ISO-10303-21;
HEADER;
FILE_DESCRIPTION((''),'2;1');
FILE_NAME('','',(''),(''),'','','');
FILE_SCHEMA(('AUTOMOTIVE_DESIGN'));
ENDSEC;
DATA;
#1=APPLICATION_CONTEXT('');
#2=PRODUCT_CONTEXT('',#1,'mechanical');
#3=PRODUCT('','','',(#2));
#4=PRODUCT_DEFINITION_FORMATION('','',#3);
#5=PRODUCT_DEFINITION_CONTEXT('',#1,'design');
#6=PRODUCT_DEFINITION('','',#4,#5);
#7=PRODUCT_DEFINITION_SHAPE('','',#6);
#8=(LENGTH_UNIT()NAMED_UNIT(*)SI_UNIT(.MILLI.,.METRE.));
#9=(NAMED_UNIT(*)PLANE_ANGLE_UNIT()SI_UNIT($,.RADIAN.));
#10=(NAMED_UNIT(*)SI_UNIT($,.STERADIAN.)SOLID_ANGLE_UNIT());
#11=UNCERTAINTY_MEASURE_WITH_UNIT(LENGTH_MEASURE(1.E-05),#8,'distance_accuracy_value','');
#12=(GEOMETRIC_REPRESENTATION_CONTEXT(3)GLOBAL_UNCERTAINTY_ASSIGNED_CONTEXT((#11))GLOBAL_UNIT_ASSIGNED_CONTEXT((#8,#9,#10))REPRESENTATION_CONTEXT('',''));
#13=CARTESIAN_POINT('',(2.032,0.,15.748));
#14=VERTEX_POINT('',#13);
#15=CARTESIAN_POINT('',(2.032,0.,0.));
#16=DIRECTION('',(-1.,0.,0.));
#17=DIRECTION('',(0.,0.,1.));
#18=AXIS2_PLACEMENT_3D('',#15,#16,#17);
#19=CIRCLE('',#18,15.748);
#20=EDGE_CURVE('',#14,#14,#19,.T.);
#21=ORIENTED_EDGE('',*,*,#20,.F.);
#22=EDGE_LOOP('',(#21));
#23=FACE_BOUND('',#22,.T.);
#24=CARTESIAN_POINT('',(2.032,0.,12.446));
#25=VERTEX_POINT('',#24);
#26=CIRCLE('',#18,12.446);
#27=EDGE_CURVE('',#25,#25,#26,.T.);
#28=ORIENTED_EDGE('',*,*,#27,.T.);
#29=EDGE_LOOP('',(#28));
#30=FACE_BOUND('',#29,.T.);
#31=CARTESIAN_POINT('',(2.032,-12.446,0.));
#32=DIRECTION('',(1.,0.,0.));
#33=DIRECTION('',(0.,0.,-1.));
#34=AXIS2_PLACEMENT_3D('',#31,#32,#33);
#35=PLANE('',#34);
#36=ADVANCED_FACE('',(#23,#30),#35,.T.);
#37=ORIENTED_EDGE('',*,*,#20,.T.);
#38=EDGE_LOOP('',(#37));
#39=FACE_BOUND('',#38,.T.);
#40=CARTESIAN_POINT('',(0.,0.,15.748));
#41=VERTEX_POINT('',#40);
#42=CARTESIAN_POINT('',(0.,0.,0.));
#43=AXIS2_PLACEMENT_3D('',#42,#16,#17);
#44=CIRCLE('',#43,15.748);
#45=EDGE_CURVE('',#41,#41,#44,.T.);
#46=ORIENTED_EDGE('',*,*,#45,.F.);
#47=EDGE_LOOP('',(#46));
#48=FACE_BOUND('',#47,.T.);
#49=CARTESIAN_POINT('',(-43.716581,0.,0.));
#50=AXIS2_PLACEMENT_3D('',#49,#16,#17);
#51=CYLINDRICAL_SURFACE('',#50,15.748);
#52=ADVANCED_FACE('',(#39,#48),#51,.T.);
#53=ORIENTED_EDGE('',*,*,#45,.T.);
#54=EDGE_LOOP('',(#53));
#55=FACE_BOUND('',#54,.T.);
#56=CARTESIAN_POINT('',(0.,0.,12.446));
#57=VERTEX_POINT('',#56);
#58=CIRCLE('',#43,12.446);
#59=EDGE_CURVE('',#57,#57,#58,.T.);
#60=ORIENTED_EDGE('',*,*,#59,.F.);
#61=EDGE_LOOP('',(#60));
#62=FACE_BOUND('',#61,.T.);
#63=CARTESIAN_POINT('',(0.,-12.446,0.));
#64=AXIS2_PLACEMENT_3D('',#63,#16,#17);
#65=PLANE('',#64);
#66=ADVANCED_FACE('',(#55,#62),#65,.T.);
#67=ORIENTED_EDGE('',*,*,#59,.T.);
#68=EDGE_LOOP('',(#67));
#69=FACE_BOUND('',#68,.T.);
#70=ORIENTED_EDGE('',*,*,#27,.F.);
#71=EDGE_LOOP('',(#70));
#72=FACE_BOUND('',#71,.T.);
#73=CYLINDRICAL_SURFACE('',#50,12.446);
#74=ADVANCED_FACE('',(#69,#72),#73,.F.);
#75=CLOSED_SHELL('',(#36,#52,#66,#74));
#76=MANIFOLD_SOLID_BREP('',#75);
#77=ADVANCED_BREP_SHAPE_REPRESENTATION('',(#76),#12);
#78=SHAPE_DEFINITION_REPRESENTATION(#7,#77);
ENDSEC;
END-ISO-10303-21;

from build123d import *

# Parameters (mm, degrees)
SKETCH1_W = 2.032
SKETCH1_H = 3.302


with BuildPart() as part:
    # Sketch1 → Revolve1 (revolve)
    with BuildSketch(Plane.XY, mode=Mode.PRIVATE) as revolve1_sk:
        with Locations((1.016, -14.097)):
            Rectangle(SKETCH1_W, SKETCH1_H)
    revolve(revolve1_sk.sketch.rotate(Axis((-43.716580756, 0, 0), (1, 0, 0)), 270), axis=Axis((-43.716580756, 0, 0), (1, 0, 0)))  # turned: the seam where the file's is


solid = part.part
